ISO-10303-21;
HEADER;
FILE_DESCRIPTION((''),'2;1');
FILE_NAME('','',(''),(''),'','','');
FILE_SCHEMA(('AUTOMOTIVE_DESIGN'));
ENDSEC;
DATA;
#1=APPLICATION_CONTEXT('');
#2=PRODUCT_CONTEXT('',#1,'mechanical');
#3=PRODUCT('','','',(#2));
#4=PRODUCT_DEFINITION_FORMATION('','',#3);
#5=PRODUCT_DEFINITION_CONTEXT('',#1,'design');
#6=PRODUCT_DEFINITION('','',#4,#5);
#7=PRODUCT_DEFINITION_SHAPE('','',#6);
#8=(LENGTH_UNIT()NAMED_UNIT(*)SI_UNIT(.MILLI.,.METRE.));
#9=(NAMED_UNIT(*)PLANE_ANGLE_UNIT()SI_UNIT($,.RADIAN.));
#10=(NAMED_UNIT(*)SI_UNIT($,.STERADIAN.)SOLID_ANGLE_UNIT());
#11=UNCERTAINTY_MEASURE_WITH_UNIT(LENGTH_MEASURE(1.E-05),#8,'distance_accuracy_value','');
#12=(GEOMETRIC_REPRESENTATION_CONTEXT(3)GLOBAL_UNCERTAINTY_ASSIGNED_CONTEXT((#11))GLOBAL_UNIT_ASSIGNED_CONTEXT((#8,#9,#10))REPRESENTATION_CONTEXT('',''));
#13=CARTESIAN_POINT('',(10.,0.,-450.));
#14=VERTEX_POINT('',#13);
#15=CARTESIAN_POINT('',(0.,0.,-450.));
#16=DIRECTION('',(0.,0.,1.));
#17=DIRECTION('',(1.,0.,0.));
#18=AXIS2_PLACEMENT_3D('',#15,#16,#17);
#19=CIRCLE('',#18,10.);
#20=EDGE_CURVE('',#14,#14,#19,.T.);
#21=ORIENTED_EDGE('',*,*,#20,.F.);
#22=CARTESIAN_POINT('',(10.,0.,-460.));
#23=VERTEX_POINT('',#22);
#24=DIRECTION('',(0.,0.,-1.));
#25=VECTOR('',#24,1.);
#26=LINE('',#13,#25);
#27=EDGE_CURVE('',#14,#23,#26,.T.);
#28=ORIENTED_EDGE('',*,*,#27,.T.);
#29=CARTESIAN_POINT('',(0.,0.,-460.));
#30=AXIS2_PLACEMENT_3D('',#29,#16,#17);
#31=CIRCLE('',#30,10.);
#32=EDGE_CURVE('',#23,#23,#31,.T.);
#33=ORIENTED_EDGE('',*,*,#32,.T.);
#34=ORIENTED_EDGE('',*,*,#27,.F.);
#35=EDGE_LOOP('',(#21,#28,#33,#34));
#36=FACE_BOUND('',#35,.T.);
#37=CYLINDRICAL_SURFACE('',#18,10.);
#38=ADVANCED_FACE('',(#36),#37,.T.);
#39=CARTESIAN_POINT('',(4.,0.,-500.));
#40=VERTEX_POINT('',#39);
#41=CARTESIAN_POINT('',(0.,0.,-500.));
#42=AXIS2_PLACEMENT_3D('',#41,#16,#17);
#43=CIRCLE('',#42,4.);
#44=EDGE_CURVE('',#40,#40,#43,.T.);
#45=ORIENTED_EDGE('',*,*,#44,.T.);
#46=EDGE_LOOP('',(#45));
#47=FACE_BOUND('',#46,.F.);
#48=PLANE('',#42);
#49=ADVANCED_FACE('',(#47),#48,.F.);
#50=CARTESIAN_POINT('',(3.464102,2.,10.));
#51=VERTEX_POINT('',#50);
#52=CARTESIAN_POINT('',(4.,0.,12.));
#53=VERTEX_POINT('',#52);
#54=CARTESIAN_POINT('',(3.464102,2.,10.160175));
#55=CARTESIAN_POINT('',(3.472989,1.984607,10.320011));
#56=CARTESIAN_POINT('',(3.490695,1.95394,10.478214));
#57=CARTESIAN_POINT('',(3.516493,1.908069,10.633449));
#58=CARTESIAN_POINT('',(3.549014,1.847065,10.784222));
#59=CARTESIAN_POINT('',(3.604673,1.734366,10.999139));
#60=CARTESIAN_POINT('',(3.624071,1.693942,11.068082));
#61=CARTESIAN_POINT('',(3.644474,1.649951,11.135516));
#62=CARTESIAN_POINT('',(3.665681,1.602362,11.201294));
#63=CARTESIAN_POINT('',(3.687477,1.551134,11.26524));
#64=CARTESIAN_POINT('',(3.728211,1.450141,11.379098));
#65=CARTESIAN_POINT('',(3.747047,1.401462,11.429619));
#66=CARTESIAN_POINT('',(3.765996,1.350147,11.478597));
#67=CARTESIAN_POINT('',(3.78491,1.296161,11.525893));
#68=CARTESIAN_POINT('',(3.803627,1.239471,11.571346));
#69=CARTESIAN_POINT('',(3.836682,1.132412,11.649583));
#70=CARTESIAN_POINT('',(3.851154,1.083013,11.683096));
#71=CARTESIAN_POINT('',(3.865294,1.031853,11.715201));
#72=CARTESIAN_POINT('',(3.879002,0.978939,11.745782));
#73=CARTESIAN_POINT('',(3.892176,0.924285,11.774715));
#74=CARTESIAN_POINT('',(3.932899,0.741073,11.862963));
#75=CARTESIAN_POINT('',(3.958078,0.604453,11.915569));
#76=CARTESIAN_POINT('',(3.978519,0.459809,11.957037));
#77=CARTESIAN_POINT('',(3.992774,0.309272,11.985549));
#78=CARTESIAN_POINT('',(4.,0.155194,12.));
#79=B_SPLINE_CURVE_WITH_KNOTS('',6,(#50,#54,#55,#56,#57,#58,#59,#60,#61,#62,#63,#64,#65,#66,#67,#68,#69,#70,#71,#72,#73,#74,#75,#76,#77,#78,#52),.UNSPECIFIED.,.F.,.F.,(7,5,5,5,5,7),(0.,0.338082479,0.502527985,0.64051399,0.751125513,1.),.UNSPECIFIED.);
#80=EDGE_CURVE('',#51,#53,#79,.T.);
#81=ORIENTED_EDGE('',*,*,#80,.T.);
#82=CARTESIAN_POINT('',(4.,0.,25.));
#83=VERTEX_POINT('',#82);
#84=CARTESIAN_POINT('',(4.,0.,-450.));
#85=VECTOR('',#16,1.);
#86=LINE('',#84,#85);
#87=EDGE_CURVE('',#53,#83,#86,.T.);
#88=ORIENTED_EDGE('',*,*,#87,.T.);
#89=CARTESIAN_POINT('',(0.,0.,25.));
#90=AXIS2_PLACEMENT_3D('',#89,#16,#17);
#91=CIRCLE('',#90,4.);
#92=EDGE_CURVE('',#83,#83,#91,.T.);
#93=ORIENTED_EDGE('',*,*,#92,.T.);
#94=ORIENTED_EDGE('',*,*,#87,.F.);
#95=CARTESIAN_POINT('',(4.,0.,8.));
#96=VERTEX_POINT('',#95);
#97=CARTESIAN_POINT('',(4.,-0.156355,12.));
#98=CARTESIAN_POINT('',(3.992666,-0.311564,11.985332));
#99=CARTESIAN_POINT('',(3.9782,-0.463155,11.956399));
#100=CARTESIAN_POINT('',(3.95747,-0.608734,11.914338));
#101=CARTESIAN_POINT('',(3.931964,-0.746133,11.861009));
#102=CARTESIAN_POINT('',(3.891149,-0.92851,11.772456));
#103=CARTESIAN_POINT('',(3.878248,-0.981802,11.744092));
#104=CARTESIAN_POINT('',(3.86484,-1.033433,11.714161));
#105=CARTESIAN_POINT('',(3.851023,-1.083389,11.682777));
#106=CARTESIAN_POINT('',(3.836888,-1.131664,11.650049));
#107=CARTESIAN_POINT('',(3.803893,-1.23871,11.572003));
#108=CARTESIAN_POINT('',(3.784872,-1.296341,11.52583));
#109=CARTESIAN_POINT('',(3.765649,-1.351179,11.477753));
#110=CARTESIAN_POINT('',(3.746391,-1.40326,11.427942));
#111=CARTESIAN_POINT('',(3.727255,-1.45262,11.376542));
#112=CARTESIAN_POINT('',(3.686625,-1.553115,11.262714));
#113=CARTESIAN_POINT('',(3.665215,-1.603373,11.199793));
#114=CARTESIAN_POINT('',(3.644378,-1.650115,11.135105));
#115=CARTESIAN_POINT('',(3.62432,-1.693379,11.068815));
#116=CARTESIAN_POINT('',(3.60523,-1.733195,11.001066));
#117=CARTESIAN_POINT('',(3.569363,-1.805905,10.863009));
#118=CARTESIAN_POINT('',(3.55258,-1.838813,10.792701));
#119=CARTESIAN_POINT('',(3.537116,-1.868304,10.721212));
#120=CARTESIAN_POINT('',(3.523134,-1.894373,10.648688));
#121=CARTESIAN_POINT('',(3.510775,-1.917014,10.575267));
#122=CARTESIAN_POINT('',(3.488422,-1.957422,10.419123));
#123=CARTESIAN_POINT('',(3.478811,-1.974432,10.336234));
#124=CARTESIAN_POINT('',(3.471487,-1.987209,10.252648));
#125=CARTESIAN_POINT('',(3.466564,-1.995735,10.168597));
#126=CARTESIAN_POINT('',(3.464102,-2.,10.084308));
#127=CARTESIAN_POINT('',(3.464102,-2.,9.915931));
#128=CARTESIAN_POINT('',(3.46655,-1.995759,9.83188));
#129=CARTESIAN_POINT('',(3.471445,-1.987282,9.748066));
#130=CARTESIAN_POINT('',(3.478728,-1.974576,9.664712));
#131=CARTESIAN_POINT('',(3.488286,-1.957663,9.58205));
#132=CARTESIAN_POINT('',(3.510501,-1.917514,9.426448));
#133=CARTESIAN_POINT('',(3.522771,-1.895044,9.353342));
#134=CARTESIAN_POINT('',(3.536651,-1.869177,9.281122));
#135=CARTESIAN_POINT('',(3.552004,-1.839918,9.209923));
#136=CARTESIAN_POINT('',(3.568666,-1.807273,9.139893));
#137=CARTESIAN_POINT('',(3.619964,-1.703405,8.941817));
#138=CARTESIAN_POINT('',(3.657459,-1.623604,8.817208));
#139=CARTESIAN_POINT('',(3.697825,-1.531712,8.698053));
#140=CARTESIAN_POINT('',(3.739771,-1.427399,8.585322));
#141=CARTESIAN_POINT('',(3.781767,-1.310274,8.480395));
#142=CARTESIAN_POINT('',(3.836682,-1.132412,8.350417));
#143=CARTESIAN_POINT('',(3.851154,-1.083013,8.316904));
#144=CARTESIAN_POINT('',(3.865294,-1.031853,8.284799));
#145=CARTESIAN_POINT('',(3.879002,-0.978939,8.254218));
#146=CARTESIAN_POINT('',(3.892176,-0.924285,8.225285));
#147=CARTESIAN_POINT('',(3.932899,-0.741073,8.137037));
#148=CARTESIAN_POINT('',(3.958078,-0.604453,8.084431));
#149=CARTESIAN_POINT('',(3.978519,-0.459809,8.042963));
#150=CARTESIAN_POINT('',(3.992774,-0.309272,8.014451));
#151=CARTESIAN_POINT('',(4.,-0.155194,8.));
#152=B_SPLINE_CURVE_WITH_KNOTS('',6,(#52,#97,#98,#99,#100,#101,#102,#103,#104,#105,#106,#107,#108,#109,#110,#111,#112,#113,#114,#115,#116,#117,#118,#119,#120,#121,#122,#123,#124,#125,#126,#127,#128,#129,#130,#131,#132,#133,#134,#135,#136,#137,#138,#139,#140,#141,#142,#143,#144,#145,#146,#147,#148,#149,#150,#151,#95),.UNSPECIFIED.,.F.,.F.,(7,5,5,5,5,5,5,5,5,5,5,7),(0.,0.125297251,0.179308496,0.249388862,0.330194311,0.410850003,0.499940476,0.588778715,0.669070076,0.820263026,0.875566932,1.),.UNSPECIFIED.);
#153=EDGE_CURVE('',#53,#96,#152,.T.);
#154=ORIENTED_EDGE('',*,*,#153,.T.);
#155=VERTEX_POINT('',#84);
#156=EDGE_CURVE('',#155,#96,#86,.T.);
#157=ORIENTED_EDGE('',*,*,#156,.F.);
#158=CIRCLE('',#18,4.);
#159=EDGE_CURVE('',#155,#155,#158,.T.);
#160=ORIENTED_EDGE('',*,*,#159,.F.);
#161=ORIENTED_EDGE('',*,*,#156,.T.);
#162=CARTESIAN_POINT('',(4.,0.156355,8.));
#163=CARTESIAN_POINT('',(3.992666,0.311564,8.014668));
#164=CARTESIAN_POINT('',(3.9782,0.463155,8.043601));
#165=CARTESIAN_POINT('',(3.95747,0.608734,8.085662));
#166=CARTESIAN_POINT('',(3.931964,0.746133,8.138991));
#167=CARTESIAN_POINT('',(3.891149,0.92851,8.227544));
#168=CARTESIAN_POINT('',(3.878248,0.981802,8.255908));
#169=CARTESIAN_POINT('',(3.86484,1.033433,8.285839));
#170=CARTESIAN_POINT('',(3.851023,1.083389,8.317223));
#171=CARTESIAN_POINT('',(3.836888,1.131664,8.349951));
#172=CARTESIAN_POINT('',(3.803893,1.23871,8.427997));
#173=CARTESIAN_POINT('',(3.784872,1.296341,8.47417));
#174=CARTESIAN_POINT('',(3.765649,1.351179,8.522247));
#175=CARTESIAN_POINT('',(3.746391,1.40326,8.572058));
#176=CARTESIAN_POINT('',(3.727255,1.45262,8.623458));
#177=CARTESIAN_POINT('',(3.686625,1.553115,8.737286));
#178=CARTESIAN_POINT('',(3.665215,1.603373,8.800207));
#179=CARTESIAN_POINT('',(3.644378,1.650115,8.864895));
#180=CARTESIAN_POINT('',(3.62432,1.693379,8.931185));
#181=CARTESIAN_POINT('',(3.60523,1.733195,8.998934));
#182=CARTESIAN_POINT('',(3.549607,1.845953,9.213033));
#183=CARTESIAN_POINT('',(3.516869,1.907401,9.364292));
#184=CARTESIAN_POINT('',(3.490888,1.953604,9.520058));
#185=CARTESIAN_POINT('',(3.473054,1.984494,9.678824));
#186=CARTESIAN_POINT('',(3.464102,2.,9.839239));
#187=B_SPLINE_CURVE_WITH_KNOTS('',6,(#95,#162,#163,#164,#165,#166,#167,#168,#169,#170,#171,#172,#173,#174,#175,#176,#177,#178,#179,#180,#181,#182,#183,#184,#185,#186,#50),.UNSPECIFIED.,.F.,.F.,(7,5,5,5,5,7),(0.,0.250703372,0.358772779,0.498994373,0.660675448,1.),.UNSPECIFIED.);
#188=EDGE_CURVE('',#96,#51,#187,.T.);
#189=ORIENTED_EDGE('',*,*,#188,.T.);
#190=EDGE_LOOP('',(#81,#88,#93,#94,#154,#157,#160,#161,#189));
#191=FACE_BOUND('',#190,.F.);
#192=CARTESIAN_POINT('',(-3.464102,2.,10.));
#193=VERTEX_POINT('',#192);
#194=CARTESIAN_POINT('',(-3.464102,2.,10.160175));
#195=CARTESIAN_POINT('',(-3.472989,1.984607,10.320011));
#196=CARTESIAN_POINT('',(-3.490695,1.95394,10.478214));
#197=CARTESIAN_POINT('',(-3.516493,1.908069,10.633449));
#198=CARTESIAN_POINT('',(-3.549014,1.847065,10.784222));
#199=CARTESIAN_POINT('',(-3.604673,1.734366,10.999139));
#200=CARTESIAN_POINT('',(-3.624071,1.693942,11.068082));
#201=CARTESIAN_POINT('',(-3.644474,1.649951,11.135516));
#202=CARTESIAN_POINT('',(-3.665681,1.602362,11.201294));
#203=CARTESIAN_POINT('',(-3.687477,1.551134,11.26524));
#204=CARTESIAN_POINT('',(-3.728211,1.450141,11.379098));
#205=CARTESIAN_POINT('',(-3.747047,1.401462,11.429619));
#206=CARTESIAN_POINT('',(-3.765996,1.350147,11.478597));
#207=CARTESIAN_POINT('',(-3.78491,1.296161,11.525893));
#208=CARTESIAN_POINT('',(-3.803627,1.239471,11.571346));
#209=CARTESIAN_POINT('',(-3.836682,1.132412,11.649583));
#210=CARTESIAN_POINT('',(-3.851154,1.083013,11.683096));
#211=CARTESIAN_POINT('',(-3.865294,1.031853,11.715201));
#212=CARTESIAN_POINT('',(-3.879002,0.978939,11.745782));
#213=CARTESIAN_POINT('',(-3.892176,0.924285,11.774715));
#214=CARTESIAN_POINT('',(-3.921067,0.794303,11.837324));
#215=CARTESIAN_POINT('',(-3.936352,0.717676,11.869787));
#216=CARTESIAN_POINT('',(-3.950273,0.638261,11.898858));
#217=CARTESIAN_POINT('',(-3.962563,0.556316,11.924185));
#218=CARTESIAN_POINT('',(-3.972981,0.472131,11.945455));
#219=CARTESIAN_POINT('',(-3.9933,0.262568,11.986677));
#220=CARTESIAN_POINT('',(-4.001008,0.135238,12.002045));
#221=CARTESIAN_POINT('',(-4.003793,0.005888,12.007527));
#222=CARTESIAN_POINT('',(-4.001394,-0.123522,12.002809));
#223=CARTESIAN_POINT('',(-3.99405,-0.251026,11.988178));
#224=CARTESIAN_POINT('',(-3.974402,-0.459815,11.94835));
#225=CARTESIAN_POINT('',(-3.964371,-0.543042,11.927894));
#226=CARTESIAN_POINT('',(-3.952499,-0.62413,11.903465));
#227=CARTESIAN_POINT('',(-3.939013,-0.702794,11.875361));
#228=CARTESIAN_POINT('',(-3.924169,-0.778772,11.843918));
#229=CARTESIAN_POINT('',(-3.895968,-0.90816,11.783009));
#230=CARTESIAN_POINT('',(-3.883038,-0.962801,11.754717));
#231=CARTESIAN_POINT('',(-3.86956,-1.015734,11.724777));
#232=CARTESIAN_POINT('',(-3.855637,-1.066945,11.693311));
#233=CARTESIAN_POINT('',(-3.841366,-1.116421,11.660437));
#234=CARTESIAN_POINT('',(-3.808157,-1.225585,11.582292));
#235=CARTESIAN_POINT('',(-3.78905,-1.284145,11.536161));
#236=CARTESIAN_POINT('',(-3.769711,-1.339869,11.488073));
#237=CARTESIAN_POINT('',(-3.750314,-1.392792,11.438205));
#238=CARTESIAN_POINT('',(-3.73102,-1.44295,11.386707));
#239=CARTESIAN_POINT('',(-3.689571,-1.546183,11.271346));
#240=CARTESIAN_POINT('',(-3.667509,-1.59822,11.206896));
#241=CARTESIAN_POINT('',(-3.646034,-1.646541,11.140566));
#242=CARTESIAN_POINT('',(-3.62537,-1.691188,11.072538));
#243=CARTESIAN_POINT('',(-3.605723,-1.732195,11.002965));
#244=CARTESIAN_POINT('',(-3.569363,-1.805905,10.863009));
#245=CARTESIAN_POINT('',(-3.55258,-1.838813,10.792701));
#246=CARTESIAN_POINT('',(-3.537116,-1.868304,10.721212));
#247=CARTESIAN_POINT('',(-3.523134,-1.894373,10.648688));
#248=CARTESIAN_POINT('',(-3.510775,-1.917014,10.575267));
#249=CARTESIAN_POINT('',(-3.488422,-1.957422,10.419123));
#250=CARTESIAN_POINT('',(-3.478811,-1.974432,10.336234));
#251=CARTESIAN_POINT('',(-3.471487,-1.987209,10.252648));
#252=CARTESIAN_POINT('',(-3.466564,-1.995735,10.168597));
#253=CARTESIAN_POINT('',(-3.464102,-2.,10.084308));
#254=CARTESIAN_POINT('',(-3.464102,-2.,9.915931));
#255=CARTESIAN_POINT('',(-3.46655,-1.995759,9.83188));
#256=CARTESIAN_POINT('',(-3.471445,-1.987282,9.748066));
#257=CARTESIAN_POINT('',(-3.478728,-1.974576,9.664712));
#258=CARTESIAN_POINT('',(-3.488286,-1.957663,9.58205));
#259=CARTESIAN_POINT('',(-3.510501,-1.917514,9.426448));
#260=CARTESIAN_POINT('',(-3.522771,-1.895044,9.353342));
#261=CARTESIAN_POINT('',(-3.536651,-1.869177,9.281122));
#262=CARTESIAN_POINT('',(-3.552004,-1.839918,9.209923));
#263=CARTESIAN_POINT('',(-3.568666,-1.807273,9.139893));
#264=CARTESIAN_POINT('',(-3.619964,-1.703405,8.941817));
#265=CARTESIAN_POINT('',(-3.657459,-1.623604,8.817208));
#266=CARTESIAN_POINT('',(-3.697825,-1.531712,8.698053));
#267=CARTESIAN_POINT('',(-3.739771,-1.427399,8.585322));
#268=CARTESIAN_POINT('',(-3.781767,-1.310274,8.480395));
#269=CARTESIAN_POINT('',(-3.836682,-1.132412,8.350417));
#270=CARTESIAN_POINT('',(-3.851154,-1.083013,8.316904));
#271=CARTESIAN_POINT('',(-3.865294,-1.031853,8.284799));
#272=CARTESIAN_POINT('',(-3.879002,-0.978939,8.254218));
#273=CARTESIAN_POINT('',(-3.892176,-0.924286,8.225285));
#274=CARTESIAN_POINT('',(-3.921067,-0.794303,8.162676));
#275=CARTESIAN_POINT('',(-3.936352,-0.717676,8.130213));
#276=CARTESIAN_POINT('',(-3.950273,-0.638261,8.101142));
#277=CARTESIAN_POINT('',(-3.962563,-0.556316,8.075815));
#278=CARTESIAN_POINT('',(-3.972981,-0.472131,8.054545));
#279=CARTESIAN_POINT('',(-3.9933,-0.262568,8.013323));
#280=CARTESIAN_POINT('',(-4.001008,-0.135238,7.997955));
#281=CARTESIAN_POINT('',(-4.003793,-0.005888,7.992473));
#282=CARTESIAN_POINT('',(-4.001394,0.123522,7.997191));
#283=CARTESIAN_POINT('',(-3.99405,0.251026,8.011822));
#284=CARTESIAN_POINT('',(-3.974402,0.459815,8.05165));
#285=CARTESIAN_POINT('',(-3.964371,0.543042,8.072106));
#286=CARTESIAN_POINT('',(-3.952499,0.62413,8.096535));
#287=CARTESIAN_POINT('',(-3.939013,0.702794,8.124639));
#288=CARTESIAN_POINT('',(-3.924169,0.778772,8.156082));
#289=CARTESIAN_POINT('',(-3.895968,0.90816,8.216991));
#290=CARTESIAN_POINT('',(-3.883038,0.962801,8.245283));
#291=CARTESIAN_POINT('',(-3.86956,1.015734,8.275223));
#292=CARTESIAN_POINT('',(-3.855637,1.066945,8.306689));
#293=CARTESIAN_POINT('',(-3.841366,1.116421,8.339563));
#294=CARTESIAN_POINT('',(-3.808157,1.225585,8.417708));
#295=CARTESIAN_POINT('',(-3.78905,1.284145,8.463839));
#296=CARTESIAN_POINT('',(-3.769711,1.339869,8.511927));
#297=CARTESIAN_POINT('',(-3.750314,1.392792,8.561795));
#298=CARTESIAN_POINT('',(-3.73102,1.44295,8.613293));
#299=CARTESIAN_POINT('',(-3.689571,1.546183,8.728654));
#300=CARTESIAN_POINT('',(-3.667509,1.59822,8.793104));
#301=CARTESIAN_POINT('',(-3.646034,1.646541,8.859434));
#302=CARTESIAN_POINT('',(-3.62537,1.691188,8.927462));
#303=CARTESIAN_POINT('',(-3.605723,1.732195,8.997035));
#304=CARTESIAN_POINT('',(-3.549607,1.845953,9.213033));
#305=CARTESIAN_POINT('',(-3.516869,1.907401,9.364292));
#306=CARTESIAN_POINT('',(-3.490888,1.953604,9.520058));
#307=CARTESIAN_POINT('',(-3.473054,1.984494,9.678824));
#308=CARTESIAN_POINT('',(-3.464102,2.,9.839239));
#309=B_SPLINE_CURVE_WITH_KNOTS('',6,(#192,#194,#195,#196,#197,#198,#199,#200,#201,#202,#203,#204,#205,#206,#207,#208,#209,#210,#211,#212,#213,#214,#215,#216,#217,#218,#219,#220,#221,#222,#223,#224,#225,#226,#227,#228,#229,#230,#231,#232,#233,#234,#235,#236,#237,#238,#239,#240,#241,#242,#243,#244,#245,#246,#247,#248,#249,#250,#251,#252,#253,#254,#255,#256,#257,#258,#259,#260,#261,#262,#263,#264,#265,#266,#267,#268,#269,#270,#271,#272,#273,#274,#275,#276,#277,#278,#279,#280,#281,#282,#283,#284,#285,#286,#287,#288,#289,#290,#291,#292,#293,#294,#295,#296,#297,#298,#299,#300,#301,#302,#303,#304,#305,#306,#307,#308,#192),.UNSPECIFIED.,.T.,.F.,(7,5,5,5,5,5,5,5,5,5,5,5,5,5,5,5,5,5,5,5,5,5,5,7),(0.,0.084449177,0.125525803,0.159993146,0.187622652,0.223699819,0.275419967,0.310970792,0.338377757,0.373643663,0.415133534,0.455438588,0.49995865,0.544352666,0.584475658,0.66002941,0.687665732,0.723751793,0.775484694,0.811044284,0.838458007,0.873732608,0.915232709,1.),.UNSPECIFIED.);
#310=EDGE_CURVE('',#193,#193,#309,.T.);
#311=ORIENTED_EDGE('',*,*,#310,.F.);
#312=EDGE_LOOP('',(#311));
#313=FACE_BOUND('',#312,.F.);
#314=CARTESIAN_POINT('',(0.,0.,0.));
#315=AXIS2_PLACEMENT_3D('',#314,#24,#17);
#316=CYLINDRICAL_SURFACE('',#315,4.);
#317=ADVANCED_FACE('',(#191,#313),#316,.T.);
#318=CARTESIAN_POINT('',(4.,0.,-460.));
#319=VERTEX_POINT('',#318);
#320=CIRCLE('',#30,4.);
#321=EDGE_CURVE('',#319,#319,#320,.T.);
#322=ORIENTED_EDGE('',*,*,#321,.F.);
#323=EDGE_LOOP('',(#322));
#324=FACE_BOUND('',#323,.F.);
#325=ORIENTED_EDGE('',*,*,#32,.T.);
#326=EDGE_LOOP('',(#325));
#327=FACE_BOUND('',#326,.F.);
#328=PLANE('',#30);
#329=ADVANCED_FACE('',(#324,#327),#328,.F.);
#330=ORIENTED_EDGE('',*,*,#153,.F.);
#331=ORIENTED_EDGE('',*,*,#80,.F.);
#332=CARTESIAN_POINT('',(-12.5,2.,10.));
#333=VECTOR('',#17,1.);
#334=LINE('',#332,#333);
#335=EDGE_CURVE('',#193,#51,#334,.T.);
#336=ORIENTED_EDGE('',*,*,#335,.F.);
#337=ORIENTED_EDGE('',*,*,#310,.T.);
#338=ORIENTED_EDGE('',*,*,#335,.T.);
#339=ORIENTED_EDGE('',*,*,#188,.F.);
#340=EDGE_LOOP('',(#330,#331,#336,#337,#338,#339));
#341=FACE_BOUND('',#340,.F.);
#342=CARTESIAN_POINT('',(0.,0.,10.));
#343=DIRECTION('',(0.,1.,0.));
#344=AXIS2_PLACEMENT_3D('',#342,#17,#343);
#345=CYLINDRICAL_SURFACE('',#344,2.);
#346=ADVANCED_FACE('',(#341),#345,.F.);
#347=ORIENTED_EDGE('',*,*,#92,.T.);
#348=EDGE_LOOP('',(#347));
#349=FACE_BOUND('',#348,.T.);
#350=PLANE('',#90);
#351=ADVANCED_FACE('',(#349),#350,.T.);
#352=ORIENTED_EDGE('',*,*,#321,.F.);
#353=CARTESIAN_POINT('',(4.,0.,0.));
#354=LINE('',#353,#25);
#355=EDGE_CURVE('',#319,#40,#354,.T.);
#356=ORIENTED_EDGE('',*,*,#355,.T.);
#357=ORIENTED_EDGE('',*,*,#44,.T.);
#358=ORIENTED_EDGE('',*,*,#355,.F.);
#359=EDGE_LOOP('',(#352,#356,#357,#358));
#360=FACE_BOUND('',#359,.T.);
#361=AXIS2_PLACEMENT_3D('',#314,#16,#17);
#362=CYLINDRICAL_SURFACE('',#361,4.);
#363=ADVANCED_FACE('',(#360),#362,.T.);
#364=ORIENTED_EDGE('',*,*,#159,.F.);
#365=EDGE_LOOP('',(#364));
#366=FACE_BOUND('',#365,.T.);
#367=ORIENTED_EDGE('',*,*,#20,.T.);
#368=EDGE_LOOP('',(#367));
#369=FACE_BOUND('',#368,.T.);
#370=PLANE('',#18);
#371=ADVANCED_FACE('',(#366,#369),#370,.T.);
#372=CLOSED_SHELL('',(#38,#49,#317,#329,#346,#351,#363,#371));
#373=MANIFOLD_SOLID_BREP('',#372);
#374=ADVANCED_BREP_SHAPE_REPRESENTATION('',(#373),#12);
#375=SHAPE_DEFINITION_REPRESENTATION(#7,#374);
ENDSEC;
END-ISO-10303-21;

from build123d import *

# Parameters (mm, degrees)
F0_R     = 4
F1_DEPTH = 500
F3_START = -450
F2_R     = 10
F2_R_2   = 4
F3_DEPTH = 10
F4_DEPTH = 25
F5_R     = 2
F6_DEPTH = 12.5


with BuildPart() as f1:
    # F0 (on Top) → F1 (new body)
    with BuildSketch(Plane.XY):
        Circle(F0_R)
    extrude(amount=-F1_DEPTH)

    # F2 (on Top) → F3 (join)
    with BuildSketch(Plane.XY.offset(F3_START)):
        Circle(F2_R)
        Circle(F2_R_2, mode=Mode.SUBTRACT)
    extrude(amount=-F3_DEPTH)

    # F0 (on Top) → F4 (join)
    with BuildSketch(Plane.XY):
        Circle(F0_R)
    extrude(amount=F4_DEPTH)

    # F5 (on Right) → F6 (cut, symmetric)
    with BuildSketch(Plane.YZ):
        with Locations((0, 10)):
            Circle(F5_R)
    extrude(amount=F6_DEPTH, both=True, mode=Mode.SUBTRACT)


solid = f1.part
